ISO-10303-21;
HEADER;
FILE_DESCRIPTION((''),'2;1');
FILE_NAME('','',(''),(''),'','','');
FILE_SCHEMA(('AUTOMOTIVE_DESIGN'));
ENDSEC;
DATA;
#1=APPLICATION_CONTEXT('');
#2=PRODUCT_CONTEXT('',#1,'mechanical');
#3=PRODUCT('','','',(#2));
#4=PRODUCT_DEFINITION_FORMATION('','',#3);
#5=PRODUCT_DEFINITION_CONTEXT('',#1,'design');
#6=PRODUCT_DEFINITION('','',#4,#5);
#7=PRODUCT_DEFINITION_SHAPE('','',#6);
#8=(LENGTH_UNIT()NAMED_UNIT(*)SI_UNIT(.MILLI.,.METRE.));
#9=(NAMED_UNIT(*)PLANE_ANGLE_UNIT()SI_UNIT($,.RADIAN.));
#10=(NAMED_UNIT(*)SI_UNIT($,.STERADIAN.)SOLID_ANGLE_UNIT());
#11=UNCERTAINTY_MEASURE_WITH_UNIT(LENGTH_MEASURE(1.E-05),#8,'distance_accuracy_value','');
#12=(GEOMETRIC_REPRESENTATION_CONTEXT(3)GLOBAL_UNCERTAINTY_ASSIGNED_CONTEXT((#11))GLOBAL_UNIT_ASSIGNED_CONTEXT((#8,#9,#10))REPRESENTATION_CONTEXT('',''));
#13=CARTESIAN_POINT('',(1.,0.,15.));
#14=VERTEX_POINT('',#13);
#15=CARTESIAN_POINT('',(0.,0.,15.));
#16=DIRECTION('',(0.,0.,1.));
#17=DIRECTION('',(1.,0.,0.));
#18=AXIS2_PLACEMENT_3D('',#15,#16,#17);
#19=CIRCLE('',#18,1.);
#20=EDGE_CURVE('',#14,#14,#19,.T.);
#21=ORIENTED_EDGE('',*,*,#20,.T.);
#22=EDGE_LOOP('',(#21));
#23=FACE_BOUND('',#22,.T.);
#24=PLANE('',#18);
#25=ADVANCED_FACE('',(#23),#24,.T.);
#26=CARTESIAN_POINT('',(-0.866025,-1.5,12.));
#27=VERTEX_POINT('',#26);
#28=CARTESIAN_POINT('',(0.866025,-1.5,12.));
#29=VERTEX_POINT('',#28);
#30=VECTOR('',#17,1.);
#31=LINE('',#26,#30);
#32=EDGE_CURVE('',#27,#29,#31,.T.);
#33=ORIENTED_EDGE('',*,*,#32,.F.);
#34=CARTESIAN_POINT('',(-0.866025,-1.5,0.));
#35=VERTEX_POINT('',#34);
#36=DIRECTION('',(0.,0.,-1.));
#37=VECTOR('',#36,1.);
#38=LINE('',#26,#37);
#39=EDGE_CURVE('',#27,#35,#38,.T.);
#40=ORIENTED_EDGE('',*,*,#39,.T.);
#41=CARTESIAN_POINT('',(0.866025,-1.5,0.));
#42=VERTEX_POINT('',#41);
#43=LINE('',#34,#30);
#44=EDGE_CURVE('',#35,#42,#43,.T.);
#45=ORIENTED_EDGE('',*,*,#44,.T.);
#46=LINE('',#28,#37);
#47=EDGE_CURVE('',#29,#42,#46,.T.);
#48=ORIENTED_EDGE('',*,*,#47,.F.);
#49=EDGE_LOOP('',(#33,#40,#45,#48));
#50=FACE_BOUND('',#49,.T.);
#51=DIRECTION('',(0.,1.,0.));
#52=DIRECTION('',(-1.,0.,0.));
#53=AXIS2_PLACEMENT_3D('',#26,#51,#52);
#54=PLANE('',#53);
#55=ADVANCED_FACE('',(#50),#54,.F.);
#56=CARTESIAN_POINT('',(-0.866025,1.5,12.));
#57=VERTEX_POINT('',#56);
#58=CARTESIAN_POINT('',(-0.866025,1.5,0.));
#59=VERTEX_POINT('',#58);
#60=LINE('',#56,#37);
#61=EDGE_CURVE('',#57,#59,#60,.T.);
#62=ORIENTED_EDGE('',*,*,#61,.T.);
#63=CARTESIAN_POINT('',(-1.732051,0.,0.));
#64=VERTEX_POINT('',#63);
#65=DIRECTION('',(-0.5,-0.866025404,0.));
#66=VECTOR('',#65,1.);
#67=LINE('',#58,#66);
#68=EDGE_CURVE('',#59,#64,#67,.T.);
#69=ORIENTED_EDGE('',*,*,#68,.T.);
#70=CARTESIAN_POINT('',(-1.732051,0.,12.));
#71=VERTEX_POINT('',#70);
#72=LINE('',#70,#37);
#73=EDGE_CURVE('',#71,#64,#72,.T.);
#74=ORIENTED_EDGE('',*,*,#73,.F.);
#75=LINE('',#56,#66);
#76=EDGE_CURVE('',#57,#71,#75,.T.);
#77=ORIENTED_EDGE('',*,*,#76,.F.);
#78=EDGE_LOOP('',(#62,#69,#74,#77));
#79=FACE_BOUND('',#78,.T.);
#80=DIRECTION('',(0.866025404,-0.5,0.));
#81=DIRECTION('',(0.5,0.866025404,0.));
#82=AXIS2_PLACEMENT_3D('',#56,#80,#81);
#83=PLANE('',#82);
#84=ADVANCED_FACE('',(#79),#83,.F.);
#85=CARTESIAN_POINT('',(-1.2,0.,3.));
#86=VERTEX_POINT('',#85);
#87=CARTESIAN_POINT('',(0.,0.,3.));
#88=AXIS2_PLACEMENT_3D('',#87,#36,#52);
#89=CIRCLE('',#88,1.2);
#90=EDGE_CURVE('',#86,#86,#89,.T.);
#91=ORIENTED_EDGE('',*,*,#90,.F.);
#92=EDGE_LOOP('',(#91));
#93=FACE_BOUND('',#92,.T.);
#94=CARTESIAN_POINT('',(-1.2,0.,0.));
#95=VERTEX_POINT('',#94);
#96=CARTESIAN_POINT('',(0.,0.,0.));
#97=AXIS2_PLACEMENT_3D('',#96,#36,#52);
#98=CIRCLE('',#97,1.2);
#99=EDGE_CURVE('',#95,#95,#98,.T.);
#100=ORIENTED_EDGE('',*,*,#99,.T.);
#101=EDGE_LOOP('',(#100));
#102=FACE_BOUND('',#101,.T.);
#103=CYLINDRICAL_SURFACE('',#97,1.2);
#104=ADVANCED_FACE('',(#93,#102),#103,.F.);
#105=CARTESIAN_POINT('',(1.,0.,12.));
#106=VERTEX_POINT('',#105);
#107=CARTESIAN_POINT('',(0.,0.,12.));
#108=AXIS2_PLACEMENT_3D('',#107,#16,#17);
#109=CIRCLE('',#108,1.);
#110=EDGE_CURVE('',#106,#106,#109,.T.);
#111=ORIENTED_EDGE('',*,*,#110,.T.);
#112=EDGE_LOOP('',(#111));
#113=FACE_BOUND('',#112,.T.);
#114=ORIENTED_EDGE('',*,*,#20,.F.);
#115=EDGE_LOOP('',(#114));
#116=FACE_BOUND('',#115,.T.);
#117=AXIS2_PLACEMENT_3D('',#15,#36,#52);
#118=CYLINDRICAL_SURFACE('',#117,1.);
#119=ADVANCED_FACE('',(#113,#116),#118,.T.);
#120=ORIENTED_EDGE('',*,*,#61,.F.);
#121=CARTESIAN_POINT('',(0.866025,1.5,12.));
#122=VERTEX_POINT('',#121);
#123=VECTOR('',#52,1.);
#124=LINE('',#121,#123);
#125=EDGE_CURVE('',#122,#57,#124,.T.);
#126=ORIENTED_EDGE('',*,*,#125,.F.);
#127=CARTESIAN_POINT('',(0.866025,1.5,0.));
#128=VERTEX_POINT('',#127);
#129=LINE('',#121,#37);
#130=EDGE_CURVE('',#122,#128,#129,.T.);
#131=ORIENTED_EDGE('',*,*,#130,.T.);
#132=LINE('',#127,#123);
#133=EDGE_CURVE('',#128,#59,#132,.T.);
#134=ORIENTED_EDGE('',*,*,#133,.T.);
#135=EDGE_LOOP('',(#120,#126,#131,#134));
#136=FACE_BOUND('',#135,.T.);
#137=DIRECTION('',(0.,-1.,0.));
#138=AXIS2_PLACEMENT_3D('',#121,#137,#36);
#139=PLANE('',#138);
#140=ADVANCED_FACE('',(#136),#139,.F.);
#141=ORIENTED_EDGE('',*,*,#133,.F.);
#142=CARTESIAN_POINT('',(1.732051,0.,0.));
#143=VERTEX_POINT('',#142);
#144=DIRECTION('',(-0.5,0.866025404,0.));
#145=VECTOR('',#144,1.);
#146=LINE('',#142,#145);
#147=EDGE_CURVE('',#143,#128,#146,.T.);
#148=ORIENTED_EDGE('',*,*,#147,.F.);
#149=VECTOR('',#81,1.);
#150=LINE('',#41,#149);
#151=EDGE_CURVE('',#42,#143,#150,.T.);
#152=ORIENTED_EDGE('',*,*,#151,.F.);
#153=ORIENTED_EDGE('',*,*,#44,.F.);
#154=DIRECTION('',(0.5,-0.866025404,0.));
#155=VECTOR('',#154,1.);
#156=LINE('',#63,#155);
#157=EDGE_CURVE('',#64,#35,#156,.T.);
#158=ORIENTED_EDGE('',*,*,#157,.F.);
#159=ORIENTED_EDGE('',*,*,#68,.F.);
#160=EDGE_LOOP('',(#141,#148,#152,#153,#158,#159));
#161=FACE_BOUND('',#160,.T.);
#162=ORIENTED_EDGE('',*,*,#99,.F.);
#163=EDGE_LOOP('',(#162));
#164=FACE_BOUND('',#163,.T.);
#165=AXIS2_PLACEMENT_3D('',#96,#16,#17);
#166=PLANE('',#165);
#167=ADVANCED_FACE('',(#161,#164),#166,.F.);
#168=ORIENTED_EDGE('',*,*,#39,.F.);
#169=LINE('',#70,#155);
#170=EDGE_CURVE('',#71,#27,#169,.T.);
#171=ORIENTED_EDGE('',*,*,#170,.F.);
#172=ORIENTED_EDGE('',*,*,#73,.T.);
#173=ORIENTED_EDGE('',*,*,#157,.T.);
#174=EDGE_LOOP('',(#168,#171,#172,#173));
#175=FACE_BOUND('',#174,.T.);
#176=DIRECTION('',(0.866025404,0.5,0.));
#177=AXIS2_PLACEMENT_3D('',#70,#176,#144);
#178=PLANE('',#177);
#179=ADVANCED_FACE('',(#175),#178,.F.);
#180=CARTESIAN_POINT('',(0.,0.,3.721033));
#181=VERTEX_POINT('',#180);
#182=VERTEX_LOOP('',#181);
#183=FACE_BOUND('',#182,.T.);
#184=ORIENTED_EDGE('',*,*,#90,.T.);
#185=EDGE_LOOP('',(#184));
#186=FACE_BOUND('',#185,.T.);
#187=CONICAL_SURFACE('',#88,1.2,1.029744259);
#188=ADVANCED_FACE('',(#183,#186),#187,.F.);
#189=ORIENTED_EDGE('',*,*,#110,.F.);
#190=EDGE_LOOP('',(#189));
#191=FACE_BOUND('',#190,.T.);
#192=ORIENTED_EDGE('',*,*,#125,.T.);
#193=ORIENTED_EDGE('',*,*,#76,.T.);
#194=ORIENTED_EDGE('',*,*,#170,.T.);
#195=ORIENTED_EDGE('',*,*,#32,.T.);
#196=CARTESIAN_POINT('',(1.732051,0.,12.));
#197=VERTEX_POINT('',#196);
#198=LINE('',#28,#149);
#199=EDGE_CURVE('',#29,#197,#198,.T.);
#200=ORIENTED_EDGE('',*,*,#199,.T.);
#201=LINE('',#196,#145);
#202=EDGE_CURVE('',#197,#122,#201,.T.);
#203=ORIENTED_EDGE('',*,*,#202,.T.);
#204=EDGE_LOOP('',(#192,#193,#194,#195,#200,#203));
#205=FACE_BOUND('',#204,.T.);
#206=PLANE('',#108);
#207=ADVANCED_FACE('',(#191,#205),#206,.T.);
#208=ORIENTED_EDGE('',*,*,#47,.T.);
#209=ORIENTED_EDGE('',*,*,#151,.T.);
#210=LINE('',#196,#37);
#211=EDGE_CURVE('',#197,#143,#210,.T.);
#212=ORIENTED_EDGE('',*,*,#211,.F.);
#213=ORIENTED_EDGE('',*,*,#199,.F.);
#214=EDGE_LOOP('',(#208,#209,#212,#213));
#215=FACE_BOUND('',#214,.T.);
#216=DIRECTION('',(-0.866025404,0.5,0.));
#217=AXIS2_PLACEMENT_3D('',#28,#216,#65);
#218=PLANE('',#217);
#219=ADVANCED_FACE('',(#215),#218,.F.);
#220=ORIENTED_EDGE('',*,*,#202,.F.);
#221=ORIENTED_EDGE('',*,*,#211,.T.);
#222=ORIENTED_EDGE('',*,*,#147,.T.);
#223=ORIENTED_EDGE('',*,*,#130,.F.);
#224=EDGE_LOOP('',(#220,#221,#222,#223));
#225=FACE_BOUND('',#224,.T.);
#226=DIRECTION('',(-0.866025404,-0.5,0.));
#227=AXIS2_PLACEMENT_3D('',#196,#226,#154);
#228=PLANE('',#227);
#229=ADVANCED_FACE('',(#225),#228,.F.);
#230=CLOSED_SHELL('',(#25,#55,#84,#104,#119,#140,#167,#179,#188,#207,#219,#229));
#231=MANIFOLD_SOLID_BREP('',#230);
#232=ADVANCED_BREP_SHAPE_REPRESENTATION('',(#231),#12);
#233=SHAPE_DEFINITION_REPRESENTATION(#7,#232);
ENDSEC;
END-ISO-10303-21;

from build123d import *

# Parameters (mm, degrees)
EXTRUDE_1_DEPTH        = 12
SKETCH_2_R             = 1
EXTRUDE_2_DEPTH        = 3
HOLE_WIZARD_M2_1_D     = 2.4
HOLE_WIZARD_M2_1_DEPTH = 3
HOLE_WIZARD_M2_1_TIP   = 0.721032743


with BuildPart() as part:
    # 스케치1 → 보스-돌출1 (new body)
    with BuildSketch(Plane.XY):
        Polygon((0.866025404, -1.5), (1.732050808, 0), (0.866025404, 1.5), (-0.866025404, 1.5), (-1.732050808, 0), (-0.866025404, -1.5), align=None)
    extrude(amount=EXTRUDE_1_DEPTH)

    # 스케치2 → 보스-돌출2 (add)
    with BuildSketch(Plane.XY.offset(12)):
        Circle(SKETCH_2_R)
    extrude(amount=EXTRUDE_2_DEPTH)

    # M2 여유 구멍1
    with Locations(Plane(origin=(0, 0, 0), x_dir=(-1, 0, 0), z_dir=(0, 0, -1))):
        with Locations((0, 0)):
            Hole(HOLE_WIZARD_M2_1_D / 2, depth=HOLE_WIZARD_M2_1_DEPTH)
            with Locations((0, 0, -(HOLE_WIZARD_M2_1_DEPTH + HOLE_WIZARD_M2_1_TIP / 2))):  # 118° drill point
                Cone(0, HOLE_WIZARD_M2_1_D / 2, HOLE_WIZARD_M2_1_TIP, mode=Mode.SUBTRACT)


solid = part.part
